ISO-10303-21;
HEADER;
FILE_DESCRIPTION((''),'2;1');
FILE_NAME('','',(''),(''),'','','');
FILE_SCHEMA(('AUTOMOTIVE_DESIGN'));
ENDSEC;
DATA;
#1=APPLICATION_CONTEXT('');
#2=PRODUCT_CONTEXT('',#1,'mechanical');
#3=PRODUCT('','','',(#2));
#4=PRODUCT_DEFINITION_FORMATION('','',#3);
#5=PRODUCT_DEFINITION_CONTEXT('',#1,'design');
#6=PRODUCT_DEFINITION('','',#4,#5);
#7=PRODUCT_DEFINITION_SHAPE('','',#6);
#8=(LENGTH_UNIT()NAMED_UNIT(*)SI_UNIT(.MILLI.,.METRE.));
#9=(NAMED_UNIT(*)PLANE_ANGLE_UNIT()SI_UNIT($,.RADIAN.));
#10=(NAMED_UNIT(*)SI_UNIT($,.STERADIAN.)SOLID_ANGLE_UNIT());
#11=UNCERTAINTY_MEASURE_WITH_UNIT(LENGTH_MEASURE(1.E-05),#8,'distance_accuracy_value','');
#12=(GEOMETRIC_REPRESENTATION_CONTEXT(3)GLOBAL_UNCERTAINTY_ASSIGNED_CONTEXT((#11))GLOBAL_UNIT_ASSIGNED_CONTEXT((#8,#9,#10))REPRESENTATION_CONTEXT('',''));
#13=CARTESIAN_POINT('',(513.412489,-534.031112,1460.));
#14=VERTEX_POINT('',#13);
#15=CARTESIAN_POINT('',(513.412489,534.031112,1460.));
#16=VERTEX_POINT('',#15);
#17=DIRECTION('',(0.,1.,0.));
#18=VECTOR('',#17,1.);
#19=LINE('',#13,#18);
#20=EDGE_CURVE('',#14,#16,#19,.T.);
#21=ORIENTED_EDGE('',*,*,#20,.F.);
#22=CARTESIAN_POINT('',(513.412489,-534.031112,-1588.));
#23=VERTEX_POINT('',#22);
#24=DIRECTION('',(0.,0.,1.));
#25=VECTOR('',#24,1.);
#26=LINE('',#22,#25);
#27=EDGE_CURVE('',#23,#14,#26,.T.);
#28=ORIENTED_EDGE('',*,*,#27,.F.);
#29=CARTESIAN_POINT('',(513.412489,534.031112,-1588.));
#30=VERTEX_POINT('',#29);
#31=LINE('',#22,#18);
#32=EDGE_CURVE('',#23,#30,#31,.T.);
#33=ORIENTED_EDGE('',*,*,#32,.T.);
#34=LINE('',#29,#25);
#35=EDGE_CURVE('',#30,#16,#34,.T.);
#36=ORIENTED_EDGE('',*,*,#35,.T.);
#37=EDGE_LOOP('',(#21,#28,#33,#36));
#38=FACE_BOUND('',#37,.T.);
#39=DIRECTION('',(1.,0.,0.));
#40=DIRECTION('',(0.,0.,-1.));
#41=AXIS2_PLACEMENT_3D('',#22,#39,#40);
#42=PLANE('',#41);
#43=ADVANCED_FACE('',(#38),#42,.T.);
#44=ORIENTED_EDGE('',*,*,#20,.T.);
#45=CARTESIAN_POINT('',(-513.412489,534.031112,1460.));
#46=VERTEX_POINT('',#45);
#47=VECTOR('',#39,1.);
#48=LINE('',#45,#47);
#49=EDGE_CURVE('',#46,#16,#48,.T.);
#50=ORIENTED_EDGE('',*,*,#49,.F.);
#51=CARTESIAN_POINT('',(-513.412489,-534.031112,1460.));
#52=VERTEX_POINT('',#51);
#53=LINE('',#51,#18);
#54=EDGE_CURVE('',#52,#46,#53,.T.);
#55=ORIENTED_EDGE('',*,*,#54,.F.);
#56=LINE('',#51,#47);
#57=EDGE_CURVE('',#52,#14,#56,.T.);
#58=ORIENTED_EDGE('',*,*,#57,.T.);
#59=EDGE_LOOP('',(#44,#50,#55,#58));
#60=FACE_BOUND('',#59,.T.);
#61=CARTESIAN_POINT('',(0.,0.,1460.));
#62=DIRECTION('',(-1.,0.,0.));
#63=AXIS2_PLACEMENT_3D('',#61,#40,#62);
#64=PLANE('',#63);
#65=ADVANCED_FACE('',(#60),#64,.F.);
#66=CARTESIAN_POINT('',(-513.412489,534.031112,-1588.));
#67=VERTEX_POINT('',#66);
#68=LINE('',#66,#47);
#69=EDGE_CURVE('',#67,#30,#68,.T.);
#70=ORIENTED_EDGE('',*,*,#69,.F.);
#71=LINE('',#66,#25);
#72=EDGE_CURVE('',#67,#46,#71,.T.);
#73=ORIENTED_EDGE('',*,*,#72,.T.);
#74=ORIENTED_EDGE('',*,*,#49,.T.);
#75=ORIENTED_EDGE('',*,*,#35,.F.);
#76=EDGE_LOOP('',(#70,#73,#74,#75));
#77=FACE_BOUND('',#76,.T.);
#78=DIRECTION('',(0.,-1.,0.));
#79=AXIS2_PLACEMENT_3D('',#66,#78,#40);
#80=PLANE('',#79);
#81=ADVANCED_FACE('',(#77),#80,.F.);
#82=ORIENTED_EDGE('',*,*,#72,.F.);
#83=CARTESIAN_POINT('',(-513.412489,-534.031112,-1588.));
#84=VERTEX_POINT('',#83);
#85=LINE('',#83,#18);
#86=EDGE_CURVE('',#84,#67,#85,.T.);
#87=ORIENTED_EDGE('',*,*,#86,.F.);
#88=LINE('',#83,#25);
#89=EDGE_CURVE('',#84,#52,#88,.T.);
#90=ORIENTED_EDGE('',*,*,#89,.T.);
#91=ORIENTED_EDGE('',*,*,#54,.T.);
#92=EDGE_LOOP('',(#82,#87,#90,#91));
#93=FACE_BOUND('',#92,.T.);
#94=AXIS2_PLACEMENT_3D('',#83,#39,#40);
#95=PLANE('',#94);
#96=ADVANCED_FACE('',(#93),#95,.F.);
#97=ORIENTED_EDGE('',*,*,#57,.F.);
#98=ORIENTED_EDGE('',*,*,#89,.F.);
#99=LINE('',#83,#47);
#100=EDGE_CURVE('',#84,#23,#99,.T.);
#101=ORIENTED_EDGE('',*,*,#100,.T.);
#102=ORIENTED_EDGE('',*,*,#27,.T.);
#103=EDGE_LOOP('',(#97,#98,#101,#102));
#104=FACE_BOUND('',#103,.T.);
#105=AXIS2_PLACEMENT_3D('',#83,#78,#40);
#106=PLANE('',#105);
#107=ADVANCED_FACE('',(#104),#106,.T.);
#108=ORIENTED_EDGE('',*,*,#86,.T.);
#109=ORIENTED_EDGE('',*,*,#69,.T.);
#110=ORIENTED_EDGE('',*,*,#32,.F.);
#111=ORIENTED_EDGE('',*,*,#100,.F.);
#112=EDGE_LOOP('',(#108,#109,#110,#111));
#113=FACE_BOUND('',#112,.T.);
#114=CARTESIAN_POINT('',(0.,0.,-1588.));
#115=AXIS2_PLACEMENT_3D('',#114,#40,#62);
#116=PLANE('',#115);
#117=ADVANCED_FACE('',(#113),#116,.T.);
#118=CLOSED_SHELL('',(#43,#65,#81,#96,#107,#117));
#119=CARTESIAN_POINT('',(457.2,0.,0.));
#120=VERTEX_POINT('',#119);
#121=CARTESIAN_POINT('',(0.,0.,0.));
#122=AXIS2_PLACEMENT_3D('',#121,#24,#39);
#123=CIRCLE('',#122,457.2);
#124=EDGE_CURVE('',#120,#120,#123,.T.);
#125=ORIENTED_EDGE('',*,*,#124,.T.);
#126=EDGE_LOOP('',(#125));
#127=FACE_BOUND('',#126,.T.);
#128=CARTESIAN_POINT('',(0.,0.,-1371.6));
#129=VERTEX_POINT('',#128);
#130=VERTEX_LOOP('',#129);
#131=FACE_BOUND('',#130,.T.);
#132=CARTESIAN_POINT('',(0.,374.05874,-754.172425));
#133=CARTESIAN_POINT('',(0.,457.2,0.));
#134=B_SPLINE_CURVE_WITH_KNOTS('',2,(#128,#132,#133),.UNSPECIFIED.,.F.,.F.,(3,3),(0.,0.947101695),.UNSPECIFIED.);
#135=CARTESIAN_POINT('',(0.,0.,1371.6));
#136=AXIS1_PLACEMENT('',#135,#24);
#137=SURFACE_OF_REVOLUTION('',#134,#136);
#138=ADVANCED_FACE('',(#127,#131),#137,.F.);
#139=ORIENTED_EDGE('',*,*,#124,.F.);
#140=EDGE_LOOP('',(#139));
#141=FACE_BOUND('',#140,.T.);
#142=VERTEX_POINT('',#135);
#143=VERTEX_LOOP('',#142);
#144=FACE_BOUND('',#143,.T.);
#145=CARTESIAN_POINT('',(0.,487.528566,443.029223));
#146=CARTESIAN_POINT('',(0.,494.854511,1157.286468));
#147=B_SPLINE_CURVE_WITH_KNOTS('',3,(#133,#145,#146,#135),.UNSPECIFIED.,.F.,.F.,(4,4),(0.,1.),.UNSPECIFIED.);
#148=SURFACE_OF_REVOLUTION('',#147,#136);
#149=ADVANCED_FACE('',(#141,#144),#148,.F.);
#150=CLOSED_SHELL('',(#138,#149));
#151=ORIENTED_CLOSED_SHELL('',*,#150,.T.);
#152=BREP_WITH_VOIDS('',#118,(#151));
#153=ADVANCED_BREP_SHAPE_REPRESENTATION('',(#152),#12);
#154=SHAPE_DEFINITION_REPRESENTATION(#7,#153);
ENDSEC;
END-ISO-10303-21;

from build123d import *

# Parameters (mm, degrees)
SKETCH3_W           = 1026.824977428
SKETCH3_H           = 1068.062223586
BOSS_EXTRUDE2_DEPTH = 3048


with BuildPart() as part:
    # Sketch2 → Revolve1 (revolve)
    with BuildSketch(Plane(origin=(0, 0, 0), x_dir=(0, 0, -1), z_dir=(1, 0, 0))):
        with BuildLine():
            Line((-1371.6, 0), (1371.6, 0))
            add(Edge.make_bspline(
                [(0, 457.2), (754.172424681, 374.058740476), (1371.6, 0)],
                knots=[0, 0, 0, 0.947101695, 0.947101695, 0.947101695], degree=2))
            add(Edge.make_bspline(
                [(-1371.6, 0), (-1157.286468217, 494.854511367), (-443.029223323, 487.528566422), (0, 457.2)],
                knots=[0, 0, 0, 0, 1, 1, 1, 1], degree=3))
        make_face()
    revolve(axis=Axis((0, 0, 1371.6), (0, 0, -1)))


with BuildPart() as body_2:
    # Sketch3 → Boss-Extrude2 (new body)
    with BuildSketch(Plane.XY.offset(1460)):
        Rectangle(SKETCH3_W, SKETCH3_H)
    extrude(amount=-BOSS_EXTRUDE2_DEPTH)

    # Combine1: cut part
    add(part.part, mode=Mode.SUBTRACT)


solid = body_2.part
